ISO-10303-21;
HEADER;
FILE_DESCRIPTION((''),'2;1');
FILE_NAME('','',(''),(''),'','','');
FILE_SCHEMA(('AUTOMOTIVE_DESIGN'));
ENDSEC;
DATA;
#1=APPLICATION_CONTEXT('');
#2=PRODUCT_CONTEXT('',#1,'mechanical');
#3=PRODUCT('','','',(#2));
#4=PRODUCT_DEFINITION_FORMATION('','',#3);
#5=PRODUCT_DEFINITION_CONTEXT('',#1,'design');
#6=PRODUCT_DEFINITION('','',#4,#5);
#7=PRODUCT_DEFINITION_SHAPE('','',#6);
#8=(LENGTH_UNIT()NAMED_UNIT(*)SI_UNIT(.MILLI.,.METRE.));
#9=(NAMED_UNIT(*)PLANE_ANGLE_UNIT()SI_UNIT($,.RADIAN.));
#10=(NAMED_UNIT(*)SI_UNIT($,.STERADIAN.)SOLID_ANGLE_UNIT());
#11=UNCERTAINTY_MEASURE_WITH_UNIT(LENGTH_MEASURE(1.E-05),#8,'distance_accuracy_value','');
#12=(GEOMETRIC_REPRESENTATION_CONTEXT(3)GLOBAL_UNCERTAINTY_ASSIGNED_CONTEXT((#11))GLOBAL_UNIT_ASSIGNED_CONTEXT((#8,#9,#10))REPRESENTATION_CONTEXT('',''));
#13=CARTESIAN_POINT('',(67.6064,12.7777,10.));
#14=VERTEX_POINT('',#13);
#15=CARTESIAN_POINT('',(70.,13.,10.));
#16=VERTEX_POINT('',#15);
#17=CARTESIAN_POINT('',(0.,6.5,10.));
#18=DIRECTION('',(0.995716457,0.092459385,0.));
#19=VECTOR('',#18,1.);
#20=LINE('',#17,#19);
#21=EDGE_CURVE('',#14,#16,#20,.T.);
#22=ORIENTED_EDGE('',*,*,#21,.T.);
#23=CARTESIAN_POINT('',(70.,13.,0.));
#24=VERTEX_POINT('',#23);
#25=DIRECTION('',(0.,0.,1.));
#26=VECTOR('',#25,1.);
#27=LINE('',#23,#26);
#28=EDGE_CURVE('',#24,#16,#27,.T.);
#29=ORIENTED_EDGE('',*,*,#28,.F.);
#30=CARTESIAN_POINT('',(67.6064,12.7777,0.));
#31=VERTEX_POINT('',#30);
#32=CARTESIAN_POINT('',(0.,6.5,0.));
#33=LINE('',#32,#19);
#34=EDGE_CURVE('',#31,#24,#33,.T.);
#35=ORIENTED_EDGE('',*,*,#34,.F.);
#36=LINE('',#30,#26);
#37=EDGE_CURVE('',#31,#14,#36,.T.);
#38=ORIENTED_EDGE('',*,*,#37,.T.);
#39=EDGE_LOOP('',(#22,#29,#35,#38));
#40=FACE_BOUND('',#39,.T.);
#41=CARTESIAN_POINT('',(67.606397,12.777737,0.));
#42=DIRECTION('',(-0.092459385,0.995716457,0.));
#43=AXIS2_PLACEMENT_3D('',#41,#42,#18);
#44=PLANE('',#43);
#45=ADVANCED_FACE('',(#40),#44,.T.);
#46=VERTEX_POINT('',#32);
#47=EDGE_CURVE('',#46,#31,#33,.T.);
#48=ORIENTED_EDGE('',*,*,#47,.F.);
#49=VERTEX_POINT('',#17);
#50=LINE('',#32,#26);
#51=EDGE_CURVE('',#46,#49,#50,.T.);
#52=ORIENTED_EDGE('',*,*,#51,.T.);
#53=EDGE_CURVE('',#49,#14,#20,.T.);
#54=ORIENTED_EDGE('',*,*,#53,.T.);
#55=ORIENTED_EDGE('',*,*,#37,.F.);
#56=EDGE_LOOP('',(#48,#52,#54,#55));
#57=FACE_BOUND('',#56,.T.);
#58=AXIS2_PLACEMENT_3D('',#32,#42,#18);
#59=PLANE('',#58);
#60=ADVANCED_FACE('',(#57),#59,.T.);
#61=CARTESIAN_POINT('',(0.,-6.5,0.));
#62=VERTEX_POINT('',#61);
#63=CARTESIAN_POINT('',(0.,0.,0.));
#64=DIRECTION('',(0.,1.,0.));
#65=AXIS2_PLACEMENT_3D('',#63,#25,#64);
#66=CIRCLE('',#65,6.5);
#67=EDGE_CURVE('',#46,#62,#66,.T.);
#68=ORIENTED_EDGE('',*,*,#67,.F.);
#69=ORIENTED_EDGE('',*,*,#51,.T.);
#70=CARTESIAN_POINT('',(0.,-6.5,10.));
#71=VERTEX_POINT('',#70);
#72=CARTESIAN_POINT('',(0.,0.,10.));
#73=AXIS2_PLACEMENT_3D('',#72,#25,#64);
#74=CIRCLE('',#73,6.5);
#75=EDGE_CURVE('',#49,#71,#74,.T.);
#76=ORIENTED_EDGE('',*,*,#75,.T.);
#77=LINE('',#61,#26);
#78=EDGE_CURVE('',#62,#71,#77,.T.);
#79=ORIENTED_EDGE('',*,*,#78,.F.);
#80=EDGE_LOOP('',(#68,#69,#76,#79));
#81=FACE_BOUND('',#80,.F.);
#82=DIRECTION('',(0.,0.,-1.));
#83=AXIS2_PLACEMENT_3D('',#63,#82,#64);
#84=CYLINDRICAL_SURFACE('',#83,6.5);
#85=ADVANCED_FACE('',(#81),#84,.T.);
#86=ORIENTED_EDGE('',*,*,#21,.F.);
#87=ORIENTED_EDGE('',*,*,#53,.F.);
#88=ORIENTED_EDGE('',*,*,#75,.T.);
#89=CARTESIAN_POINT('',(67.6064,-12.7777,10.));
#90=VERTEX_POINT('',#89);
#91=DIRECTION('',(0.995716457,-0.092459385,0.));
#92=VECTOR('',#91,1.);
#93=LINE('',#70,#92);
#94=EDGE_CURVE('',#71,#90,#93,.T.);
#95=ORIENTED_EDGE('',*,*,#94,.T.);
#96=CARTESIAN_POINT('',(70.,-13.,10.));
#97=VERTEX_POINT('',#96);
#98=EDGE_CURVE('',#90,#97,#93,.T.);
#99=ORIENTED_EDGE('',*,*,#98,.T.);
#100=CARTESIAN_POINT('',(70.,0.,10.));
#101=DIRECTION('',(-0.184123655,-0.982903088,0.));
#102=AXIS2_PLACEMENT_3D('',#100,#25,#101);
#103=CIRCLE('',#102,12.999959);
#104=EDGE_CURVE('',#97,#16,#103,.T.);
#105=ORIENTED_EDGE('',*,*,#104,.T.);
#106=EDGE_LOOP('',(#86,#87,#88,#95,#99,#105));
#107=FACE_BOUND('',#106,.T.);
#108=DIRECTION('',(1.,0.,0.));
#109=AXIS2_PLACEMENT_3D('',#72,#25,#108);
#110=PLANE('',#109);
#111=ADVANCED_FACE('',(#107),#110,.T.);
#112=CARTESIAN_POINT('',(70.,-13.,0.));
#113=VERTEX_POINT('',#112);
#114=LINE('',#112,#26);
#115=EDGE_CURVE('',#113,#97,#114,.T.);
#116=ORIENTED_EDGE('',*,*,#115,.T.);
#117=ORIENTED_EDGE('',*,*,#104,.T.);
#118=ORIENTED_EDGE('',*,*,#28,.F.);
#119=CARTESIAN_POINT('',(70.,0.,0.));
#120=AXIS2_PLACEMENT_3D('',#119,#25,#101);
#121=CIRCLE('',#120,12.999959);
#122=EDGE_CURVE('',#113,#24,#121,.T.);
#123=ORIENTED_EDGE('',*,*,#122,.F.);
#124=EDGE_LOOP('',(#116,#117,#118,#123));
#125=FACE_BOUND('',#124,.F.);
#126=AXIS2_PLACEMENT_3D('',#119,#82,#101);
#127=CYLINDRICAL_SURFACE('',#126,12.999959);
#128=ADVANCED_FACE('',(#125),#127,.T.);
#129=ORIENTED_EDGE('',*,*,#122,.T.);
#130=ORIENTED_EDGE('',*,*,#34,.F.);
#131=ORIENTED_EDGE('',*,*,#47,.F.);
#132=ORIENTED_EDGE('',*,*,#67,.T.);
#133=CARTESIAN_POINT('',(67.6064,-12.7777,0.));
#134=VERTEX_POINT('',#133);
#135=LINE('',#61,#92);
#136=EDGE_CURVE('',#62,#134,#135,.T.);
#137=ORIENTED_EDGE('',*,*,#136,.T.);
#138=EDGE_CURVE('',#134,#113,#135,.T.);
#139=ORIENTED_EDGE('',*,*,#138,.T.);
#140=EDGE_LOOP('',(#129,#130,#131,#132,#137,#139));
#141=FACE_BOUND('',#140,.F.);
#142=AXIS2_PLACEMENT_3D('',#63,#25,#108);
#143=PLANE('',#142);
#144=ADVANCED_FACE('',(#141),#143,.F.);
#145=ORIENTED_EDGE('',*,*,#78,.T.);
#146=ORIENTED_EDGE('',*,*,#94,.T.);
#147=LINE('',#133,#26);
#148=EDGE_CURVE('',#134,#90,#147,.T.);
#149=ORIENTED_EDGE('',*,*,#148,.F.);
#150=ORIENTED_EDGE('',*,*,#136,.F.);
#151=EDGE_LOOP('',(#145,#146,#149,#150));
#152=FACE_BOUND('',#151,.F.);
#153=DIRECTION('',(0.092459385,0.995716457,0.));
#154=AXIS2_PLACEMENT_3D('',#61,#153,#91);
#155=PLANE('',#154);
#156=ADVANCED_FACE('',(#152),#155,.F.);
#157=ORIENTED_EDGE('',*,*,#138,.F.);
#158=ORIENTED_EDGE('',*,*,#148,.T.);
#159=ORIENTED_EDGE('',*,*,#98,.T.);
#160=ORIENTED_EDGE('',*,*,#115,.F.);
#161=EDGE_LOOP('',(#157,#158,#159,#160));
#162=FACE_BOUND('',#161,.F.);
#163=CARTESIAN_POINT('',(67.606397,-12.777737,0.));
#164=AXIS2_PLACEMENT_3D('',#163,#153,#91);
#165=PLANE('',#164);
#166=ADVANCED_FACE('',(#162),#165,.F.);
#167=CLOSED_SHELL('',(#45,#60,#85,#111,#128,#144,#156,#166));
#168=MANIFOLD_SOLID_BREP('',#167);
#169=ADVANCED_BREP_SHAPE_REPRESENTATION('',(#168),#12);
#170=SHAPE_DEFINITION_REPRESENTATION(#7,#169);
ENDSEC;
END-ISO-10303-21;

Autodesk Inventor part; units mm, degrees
ref_plane "YZ Plane" through (0, 0, 0) normal (1, 0, 0) x (0, 1, 0)
ref_plane "XZ Plane" through (0, 0, 0) normal (0, 1, 0) x (-1, 0, 0)
ref_plane "XY Plane" through (0, 0, 0) normal (0, 0, 1) x (1, 0, 0)
sketch "Эскиз1" plane through (0, 0, 0) normal (0, 0, 1) x (1, 0, 0)
  arc A0 (67.6064, -12.7777) -> (67.6064, 12.7777) centre (70, 0) ccw
  line L0 (0, 6.5) -> (70, 13)
  line L1 (0, -6.5) -> (70, -13)
  arc A1 (0, 6.5) -> (0, -6.5) centre (0, 0) ccw
  dimension "d2" = 26
extrude "Выдавливание1" add sketch "Эскиз1" along normal blind 10 contours L1 A1 L0 A0
